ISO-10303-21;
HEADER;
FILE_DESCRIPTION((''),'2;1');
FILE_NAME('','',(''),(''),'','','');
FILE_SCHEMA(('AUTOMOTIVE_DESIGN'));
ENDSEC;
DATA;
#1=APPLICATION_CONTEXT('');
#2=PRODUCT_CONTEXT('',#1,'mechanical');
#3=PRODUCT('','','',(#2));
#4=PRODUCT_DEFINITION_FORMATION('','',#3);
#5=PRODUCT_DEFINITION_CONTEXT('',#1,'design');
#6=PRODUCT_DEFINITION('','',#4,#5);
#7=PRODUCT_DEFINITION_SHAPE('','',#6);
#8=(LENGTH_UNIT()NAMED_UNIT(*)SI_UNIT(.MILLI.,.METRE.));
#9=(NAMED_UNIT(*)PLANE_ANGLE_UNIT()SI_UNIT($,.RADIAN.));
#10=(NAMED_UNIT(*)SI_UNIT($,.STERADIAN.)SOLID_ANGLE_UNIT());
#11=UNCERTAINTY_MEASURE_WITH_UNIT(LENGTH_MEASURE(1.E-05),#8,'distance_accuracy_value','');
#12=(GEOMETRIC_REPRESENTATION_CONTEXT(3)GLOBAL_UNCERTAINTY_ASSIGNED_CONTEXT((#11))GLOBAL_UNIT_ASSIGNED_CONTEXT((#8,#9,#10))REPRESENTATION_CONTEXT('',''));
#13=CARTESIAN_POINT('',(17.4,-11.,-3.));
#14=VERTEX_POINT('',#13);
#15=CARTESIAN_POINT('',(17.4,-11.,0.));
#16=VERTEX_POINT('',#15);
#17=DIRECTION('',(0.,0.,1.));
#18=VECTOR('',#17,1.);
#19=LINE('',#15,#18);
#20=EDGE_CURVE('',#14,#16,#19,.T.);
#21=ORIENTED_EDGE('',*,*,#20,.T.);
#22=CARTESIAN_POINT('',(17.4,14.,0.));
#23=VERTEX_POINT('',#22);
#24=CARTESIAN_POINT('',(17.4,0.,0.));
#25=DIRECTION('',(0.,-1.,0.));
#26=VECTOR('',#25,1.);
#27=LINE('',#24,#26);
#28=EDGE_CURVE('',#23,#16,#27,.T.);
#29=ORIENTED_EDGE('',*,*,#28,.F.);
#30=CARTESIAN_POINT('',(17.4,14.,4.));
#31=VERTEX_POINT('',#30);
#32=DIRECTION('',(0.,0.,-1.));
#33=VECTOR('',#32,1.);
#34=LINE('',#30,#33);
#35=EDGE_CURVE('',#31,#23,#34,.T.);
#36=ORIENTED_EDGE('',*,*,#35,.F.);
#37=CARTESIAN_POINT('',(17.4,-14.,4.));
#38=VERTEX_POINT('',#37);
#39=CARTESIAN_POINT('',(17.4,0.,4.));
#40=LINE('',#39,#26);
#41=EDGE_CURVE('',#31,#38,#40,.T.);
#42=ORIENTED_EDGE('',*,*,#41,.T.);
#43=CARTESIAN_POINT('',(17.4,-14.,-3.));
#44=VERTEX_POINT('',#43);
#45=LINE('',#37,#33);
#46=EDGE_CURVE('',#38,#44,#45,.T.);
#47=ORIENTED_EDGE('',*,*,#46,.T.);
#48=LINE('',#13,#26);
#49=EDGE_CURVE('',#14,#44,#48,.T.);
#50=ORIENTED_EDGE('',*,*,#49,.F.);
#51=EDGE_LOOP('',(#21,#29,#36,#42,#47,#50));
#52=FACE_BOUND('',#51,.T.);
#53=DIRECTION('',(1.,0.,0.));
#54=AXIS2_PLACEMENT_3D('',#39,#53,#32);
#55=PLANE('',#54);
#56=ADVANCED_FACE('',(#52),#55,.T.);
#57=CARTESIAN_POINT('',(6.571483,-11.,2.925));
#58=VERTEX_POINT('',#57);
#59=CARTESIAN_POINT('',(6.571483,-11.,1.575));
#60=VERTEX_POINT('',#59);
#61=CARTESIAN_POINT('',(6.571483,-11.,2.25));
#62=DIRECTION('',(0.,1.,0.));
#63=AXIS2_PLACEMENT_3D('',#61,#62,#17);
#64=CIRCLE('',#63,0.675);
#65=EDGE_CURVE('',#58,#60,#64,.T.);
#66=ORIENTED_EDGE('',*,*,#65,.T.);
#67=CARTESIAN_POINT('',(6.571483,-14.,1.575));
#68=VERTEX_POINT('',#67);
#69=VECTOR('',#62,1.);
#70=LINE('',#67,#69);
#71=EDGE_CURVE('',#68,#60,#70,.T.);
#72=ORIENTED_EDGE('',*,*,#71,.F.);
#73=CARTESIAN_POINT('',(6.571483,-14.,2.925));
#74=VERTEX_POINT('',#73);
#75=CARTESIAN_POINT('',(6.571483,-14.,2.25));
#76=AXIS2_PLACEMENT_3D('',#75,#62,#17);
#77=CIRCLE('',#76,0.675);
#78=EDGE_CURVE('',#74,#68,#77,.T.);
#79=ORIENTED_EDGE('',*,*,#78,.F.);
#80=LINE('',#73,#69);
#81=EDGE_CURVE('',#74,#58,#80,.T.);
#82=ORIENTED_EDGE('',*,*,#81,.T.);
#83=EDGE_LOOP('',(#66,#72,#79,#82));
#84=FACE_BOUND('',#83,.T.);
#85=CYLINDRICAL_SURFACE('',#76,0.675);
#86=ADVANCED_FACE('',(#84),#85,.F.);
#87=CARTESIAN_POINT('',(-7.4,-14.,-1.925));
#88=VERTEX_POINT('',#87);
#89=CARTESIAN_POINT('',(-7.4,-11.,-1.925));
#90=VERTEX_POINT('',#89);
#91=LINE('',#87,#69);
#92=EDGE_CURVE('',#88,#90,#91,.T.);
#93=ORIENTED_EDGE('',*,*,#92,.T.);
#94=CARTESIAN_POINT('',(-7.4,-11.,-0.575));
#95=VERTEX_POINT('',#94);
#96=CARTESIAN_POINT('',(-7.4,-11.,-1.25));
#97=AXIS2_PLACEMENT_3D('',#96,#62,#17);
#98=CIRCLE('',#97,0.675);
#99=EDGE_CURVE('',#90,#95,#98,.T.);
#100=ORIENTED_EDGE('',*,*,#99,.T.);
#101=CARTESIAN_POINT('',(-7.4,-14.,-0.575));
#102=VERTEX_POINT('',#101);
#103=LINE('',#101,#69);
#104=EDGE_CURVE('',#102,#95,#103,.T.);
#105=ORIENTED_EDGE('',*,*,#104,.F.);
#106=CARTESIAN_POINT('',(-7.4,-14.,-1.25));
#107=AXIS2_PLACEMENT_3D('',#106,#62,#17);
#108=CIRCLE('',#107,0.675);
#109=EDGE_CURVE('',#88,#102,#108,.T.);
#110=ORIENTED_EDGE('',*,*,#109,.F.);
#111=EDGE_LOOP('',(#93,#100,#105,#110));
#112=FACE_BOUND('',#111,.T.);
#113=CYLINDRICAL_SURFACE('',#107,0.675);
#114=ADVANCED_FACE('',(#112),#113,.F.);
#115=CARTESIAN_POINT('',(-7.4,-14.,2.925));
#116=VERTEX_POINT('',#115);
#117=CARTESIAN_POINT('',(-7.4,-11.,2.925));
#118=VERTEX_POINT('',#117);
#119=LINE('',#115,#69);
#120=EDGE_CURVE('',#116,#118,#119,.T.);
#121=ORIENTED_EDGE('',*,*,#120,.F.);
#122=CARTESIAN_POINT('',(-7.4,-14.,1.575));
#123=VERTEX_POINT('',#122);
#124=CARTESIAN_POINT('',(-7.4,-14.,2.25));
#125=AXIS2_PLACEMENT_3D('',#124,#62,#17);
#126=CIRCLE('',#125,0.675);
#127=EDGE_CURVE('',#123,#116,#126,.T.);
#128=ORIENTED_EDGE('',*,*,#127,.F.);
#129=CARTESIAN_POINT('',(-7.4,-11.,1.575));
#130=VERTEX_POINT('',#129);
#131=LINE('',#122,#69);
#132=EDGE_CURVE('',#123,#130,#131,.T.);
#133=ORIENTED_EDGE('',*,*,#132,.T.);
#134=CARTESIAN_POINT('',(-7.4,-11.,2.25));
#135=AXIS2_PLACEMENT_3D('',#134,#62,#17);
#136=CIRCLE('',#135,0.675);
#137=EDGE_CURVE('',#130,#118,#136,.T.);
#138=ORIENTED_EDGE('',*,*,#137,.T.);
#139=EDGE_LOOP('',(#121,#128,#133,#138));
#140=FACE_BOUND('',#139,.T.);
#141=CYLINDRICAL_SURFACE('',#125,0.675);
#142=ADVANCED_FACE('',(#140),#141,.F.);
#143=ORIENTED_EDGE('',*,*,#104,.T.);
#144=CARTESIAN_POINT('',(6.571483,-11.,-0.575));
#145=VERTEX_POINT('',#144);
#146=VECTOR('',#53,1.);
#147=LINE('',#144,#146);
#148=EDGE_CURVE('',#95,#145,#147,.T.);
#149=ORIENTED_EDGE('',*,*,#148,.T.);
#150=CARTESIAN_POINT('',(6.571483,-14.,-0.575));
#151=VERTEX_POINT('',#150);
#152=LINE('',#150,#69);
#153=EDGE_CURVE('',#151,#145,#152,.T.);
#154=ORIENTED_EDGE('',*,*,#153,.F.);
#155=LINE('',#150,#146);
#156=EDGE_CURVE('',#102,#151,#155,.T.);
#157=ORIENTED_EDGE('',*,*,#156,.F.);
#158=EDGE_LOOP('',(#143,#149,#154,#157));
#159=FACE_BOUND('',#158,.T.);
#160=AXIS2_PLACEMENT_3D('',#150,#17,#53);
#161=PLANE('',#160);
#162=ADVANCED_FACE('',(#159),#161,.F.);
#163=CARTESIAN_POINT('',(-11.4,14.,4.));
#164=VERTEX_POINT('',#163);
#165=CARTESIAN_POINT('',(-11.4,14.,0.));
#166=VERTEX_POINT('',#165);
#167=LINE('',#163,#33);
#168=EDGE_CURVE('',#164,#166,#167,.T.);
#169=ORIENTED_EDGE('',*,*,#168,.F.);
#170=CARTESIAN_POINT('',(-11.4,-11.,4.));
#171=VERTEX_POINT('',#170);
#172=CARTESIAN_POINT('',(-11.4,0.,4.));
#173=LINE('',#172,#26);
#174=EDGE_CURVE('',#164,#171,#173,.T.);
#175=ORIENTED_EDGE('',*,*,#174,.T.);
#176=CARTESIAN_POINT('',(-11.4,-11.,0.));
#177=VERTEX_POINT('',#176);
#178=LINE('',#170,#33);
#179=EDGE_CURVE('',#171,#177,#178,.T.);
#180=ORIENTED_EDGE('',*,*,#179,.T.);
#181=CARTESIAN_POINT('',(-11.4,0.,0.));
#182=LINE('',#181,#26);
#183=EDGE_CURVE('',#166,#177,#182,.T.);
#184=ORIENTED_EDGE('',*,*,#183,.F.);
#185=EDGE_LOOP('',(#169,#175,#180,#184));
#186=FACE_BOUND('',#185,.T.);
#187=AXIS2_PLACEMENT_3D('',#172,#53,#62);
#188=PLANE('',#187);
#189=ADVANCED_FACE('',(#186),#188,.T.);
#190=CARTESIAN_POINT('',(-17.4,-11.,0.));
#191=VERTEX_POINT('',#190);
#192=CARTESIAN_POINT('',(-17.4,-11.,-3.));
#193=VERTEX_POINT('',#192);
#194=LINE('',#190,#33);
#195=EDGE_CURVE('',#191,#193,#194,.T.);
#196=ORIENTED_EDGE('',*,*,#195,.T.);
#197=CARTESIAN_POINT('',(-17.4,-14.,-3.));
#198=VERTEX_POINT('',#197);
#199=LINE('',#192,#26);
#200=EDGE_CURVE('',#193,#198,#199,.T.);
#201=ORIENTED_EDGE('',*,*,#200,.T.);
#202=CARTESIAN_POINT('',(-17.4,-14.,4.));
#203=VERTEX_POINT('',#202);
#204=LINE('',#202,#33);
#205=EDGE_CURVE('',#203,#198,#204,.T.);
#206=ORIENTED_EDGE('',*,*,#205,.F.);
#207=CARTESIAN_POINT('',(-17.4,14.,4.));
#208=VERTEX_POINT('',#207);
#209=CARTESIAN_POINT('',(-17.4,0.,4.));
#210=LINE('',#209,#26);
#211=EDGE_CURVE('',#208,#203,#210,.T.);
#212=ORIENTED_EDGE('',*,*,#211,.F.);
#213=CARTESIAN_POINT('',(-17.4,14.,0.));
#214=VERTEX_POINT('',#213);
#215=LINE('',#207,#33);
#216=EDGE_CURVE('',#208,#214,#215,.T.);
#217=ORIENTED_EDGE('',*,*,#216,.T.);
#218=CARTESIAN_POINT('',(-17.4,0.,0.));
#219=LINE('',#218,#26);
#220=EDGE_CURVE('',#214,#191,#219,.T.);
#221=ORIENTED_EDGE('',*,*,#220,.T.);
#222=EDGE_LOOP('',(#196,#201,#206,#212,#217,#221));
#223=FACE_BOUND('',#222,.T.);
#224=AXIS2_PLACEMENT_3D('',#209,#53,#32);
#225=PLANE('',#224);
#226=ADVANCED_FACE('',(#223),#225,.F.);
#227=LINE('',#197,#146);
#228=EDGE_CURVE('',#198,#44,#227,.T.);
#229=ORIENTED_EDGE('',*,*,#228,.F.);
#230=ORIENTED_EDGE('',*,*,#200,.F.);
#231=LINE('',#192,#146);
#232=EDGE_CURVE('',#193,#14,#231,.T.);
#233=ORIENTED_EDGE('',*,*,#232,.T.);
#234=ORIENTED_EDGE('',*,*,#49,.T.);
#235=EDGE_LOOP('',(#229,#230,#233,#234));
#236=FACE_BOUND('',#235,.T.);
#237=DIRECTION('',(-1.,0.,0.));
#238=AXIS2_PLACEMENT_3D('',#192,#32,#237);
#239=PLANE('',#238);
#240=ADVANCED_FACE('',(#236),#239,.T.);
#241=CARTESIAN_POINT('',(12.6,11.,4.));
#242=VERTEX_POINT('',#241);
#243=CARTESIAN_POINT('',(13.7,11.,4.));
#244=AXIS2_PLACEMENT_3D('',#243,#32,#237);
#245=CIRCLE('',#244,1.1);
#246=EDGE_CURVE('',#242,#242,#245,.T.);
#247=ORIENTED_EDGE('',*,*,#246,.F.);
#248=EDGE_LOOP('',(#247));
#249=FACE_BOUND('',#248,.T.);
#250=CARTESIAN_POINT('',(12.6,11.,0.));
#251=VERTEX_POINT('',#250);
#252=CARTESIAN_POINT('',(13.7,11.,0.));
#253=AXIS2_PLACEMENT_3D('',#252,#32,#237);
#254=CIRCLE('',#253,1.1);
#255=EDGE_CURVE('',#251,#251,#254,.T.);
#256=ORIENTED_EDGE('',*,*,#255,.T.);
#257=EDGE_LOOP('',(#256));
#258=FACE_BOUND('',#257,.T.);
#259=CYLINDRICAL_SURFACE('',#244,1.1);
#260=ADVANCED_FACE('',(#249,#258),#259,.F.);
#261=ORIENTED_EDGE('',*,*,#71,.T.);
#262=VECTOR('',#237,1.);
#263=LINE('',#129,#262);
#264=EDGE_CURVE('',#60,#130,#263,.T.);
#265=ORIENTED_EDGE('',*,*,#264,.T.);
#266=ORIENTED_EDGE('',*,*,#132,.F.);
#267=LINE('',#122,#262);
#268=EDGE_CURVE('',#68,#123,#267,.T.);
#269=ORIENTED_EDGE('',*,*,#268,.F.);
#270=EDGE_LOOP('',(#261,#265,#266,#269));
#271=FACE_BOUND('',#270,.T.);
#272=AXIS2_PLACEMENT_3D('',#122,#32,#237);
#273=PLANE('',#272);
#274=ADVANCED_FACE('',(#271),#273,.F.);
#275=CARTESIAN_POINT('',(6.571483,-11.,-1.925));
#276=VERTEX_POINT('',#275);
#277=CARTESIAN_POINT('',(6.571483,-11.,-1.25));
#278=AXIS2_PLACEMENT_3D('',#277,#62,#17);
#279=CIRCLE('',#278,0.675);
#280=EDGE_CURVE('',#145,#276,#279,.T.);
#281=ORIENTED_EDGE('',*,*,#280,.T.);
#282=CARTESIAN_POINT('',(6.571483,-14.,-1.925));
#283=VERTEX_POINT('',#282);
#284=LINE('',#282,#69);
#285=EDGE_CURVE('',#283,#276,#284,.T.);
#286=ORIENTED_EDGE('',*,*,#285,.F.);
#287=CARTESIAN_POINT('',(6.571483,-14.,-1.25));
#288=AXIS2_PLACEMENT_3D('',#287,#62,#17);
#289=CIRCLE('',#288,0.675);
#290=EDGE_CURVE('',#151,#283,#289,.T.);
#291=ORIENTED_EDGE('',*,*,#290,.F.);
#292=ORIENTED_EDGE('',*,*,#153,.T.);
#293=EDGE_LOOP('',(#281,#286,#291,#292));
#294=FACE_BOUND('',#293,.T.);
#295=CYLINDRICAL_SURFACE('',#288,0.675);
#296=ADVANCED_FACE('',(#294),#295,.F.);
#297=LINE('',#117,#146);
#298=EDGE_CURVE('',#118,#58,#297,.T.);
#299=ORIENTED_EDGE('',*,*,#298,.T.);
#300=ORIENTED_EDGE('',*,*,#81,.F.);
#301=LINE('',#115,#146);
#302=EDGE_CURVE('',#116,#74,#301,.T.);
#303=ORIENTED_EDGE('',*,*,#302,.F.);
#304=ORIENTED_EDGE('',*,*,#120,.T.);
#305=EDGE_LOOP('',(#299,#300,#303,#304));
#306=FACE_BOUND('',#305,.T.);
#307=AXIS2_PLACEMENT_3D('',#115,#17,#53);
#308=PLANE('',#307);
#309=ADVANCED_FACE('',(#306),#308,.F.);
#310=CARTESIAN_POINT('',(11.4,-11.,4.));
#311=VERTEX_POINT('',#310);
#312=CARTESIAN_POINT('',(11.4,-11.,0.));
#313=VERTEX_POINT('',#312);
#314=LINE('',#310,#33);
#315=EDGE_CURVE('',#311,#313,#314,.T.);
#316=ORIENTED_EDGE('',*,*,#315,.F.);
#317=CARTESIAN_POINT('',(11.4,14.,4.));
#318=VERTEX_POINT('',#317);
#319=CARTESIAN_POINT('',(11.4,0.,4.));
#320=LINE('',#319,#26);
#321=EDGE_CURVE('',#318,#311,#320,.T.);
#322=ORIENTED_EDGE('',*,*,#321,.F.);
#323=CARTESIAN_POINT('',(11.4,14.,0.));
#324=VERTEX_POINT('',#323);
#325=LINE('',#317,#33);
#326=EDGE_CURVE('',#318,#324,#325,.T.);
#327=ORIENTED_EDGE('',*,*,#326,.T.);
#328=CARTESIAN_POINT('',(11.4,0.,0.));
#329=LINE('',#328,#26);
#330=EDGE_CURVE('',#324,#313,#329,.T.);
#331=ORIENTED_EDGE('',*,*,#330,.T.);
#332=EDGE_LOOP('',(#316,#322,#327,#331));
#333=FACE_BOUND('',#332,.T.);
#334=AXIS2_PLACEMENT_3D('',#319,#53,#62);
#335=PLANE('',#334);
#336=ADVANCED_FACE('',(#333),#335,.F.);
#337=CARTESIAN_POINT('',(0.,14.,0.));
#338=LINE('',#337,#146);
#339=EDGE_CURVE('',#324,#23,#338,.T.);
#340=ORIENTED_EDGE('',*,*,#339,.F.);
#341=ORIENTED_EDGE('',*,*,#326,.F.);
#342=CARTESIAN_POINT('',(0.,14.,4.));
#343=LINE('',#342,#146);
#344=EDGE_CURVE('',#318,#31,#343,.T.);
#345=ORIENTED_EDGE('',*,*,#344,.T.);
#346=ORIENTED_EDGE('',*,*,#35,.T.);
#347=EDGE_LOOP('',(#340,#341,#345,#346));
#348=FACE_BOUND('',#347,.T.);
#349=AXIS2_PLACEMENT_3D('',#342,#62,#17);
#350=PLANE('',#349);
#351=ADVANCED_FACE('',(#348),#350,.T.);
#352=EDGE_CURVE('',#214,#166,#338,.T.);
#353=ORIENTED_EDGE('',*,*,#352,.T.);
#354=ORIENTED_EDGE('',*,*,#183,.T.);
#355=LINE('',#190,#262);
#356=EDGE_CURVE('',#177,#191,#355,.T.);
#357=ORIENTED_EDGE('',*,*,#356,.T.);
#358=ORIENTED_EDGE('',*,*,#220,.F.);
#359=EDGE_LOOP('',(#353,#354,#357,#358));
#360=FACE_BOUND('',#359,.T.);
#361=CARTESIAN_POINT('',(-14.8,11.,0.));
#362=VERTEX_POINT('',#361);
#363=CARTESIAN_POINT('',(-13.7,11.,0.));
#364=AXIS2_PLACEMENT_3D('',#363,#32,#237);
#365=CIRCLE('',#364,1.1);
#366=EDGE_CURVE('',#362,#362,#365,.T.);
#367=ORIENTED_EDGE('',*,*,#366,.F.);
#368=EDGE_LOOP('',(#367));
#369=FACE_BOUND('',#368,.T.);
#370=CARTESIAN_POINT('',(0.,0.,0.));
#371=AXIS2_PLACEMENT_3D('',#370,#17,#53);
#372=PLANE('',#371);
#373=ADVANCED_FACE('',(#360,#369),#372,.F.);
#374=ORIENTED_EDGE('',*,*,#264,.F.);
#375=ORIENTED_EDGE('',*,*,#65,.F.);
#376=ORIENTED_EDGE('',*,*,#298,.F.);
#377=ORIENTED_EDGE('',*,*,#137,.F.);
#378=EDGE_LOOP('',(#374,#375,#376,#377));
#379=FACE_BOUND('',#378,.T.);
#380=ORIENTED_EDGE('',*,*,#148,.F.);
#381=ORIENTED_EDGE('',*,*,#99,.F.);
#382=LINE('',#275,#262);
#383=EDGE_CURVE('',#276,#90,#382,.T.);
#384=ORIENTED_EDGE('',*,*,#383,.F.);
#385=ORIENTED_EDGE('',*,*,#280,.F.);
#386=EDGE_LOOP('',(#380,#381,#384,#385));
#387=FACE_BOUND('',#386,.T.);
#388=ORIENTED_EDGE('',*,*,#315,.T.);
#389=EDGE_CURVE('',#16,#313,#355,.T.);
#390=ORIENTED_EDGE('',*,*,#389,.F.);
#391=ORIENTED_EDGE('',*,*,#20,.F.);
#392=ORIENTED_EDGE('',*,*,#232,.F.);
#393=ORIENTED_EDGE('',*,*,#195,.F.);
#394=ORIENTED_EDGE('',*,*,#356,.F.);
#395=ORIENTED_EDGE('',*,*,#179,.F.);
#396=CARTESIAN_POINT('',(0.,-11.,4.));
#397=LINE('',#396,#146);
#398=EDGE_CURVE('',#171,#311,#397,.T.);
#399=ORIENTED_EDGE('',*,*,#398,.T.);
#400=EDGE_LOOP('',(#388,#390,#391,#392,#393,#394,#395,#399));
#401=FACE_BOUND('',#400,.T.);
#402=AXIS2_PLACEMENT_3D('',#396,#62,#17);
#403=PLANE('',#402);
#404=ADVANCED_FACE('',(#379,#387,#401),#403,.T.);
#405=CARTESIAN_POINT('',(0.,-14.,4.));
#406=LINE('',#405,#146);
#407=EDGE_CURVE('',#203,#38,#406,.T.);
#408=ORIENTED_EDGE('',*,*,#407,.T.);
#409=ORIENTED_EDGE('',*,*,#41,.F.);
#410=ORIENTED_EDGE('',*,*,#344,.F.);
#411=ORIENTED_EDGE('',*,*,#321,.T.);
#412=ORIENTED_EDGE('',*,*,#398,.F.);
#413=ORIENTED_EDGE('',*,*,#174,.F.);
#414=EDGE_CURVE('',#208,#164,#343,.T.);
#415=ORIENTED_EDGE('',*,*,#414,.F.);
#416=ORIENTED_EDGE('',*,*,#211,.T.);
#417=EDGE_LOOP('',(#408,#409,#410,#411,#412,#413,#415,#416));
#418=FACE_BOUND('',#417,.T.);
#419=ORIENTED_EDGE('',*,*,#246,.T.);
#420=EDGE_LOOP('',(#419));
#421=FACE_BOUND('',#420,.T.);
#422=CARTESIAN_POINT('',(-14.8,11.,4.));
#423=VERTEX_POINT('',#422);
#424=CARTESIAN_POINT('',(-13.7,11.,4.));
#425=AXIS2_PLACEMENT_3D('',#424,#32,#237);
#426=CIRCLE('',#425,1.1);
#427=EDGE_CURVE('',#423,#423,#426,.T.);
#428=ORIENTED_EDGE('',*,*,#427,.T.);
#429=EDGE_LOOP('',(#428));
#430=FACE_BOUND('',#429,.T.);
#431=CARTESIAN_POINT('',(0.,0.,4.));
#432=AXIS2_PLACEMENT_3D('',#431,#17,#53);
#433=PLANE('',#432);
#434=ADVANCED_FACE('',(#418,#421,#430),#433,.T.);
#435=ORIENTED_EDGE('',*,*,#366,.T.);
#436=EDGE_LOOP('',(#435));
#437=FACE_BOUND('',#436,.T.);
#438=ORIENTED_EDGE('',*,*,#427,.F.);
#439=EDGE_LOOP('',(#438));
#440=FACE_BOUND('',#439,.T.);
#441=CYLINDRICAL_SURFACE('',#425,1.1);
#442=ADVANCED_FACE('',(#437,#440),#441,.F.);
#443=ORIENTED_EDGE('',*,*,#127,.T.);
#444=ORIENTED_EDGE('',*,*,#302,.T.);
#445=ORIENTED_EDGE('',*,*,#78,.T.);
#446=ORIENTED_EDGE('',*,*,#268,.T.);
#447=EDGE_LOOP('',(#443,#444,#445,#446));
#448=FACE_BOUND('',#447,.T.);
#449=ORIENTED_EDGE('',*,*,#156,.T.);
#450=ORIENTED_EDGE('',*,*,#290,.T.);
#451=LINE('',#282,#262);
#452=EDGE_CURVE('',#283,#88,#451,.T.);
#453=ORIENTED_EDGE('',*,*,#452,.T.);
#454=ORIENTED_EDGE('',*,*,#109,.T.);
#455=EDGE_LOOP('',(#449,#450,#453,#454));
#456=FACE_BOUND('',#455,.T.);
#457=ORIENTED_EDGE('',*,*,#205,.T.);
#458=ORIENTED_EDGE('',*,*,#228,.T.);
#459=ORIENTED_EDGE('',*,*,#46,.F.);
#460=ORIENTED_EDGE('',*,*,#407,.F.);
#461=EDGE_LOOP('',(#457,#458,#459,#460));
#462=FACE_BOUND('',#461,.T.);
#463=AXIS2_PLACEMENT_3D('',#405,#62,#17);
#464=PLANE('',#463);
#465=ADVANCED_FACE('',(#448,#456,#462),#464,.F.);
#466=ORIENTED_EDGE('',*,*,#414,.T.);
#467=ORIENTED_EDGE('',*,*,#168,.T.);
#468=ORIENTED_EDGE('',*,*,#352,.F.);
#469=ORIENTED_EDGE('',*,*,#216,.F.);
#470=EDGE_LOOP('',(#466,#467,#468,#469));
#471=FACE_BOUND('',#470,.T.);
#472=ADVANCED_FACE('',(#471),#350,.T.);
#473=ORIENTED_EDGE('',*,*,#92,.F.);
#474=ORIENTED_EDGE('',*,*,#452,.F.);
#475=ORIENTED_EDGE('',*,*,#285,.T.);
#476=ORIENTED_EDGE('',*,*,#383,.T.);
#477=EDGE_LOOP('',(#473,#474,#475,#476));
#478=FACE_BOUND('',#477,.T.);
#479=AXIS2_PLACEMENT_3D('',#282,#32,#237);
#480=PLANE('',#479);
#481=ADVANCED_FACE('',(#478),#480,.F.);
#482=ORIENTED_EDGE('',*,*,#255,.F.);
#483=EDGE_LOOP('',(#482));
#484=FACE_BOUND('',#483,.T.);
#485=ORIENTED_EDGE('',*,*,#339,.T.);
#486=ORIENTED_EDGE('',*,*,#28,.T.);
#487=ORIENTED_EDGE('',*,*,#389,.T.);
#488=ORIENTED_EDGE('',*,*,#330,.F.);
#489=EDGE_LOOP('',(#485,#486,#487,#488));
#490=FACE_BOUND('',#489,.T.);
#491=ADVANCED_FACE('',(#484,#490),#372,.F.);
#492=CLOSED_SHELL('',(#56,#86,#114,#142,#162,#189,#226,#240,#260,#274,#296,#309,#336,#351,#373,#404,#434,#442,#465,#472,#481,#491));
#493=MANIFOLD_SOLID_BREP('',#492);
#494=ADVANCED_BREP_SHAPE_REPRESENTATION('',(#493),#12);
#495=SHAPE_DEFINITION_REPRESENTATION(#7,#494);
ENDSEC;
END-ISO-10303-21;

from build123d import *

# Parameters (mm, degrees)
SKETCH_1_W          = 6
SKETCH_1_H          = 25
SKETCH_1_H_2        = 3
SKETCH_1_W_2        = 22.8
EXTRUDE_1_DEPTH     = 4
SKETCH_3_R          = 1.1
CUT_EXTRUDE_2_DEPTH = 23.688322988
SKETCH_4_W          = 34.8
SKETCH_4_H          = 3
EXTRUDE_2_DEPTH     = 3
CUT_EXTRUDE_3_DEPTH = 31.720677076


with BuildPart() as part:
    # 草图1 → 凸台-拉伸1 (new body)
    with BuildSketch(Plane.XY):
        with Locations((-14.4, 1.5)):
            Rectangle(SKETCH_1_W, SKETCH_1_H)
        with Locations((-14.4, -12.5)):
            Rectangle(SKETCH_1_W, SKETCH_1_H_2)
        with Locations((0, -12.5)):
            Rectangle(SKETCH_1_W_2, SKETCH_1_H_2)
        with Locations((14.4, -12.5)):
            Rectangle(SKETCH_1_W, SKETCH_1_H_2)
        with Locations((14.4, 1.5)):
            Rectangle(SKETCH_1_W, SKETCH_1_H)
    extrude(amount=EXTRUDE_1_DEPTH)

    # 草图3 → 切除-拉伸2 (cut, through all)
    with BuildSketch(Plane(origin=(0, 0, 0), x_dir=(-1, 0, 0), z_dir=(0, 0, -1))):
        with Locations((-13.7, 11)):
            Circle(SKETCH_3_R)
        with Locations((13.7, 11)):
            Circle(SKETCH_3_R)
    extrude(amount=-CUT_EXTRUDE_2_DEPTH, mode=Mode.SUBTRACT)

    # 草图4 → 凸台-拉伸2 (add)
    with BuildSketch(Plane.XZ.offset(14)):
        with Locations((0, -1.5)):
            Rectangle(SKETCH_4_W, SKETCH_4_H)
    extrude(amount=-EXTRUDE_2_DEPTH)

    # 草图5 → 切除-拉伸3 (cut, through all)
    with BuildSketch(Plane(origin=(0, -11, 0), x_dir=(1, 0, 0), z_dir=(0, 1, 0))):
        with BuildLine():
            Line((6.571482936, 0.575), (-7.4, 0.575))
            ThreePointArc((-7.4, 0.575), (-8.075, 1.25), (-7.4, 1.925))
            Line((-7.4, 1.925), (6.571482936, 1.925))
            ThreePointArc((6.571482936, 1.925), (7.246482936, 1.25), (6.571482936, 0.575))
        make_face()
        with BuildLine():
            Line((-7.4, -1.575), (6.571482936, -1.575))
            ThreePointArc((6.571482936, -1.575), (7.246482936, -2.25), (6.571482936, -2.925))
            Line((6.571482936, -2.925), (-7.4, -2.925))
            ThreePointArc((-7.4, -2.925), (-8.075, -2.25), (-7.4, -1.575))
        make_face()
    extrude(amount=-CUT_EXTRUDE_3_DEPTH, mode=Mode.SUBTRACT)


solid = part.part
